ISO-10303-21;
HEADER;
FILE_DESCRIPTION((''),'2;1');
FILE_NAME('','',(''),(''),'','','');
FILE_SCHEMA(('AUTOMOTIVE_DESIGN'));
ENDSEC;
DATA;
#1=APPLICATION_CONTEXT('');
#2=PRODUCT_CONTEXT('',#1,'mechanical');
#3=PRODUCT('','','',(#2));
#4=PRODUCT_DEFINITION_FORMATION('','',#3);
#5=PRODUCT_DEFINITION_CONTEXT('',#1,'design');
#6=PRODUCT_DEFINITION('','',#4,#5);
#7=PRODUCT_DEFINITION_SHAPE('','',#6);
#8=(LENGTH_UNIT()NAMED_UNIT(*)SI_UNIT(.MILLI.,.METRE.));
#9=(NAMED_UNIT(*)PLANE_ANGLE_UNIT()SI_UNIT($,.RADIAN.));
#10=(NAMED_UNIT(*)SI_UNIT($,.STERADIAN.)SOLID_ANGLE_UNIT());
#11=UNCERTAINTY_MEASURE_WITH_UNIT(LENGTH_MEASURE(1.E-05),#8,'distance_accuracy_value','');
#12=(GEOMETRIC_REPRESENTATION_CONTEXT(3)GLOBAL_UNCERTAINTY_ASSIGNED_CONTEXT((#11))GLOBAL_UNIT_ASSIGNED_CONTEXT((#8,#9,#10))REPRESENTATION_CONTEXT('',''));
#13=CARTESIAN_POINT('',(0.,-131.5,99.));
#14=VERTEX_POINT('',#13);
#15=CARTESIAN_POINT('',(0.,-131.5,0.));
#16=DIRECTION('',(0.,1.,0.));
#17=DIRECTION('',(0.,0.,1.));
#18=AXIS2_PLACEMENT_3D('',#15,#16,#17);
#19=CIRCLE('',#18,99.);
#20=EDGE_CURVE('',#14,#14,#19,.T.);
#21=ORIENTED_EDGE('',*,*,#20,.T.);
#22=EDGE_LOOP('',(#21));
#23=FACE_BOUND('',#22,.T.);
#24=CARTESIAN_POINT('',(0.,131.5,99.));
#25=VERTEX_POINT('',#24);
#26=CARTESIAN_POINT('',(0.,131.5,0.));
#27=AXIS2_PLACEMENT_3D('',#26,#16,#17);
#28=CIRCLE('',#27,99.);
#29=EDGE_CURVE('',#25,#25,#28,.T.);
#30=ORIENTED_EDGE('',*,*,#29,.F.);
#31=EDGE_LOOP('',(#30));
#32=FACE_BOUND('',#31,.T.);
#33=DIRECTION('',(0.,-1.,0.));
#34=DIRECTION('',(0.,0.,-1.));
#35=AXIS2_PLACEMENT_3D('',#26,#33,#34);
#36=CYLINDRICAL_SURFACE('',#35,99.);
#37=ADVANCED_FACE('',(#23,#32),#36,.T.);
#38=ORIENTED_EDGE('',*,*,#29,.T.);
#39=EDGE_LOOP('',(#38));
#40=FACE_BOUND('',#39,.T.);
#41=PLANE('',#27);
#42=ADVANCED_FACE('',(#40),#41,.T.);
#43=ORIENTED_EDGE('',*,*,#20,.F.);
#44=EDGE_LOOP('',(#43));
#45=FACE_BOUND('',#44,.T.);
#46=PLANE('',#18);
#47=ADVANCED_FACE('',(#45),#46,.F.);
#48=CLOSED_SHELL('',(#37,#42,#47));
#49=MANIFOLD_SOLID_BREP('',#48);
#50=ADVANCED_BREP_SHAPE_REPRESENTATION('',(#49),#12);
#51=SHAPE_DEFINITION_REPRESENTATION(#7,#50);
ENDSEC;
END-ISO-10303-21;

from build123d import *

# Parameters (mm, degrees)
SKETCH1_R           = 99
BOSS_EXTRUDE1_DEPTH = 131.5


with BuildPart() as part:
    # Sketch1 → Boss-Extrude1 (new body, symmetric)
    with BuildSketch(Plane(origin=(0, 0, 0), x_dir=(1, 0, 0), z_dir=(0, 1, 0))):
        Circle(SKETCH1_R)
    extrude(amount=BOSS_EXTRUDE1_DEPTH, both=True)


solid = part.part
